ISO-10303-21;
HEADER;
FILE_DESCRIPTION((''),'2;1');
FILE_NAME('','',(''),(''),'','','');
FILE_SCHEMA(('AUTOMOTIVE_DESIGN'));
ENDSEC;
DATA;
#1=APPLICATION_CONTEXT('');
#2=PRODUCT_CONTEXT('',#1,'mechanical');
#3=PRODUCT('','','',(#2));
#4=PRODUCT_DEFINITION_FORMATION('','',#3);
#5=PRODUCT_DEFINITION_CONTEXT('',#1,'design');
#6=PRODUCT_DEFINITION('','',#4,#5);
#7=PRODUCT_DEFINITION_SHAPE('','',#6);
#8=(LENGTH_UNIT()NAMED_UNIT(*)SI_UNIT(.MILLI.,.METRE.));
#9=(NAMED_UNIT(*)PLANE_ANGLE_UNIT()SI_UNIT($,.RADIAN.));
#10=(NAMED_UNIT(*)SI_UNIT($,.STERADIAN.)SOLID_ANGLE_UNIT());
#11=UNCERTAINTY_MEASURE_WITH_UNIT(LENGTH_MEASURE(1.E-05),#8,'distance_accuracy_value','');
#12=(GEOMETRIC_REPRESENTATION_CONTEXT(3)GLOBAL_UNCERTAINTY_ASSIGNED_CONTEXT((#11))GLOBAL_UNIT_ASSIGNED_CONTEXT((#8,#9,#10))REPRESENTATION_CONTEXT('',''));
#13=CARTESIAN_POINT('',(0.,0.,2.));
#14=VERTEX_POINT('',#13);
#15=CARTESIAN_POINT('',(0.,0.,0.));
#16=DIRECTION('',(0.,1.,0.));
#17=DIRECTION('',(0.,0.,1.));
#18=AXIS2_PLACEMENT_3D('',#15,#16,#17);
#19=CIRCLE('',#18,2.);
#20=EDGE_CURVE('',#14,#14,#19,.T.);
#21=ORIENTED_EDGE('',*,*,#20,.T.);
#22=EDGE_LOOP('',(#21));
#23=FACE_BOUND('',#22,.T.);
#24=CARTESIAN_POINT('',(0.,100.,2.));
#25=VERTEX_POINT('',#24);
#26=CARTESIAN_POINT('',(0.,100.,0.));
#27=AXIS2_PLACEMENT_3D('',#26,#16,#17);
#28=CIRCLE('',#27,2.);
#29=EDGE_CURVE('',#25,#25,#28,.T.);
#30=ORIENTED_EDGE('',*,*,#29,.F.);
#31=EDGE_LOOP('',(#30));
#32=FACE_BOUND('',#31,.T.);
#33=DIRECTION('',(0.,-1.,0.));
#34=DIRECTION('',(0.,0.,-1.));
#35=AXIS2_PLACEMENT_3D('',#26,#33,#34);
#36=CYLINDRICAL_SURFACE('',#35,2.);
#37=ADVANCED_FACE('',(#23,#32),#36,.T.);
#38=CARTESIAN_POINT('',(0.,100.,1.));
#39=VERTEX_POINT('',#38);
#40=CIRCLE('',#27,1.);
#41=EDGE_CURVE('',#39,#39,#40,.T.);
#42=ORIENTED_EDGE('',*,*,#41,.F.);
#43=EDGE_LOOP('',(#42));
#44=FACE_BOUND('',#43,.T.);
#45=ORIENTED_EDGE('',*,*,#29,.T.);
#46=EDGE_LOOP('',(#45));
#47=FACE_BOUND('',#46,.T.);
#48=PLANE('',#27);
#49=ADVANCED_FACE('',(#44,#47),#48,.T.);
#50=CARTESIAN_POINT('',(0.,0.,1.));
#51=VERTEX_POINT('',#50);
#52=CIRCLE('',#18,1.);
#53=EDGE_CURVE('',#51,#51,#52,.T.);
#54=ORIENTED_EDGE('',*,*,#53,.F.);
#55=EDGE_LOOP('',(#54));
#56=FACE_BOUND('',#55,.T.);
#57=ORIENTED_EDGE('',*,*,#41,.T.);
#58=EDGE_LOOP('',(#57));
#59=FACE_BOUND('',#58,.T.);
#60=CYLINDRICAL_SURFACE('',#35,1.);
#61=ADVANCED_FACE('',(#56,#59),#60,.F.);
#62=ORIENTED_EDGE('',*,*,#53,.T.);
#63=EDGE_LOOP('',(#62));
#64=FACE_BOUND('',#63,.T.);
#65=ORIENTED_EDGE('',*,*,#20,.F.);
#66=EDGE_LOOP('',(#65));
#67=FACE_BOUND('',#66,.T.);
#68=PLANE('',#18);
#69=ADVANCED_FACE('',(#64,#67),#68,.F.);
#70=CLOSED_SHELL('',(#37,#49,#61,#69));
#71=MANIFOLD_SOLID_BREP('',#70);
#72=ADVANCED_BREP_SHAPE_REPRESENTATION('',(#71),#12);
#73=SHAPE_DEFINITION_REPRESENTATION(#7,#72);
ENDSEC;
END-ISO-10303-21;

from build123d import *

# Parameters (mm, degrees)
SKETCH_1_R      = 2
SKETCH_1_R_2    = 1
EXTRUDE_1_DEPTH = 100


with BuildPart() as part:
    # Эскиз1 → Бобышка-Вытянуть1 (new body)
    with BuildSketch(Plane(origin=(0, 0, 0), x_dir=(1, 0, 0), z_dir=(0, 1, 0))):
        Circle(SKETCH_1_R)
        Circle(SKETCH_1_R_2, mode=Mode.SUBTRACT)
    extrude(amount=EXTRUDE_1_DEPTH)


solid = part.part
